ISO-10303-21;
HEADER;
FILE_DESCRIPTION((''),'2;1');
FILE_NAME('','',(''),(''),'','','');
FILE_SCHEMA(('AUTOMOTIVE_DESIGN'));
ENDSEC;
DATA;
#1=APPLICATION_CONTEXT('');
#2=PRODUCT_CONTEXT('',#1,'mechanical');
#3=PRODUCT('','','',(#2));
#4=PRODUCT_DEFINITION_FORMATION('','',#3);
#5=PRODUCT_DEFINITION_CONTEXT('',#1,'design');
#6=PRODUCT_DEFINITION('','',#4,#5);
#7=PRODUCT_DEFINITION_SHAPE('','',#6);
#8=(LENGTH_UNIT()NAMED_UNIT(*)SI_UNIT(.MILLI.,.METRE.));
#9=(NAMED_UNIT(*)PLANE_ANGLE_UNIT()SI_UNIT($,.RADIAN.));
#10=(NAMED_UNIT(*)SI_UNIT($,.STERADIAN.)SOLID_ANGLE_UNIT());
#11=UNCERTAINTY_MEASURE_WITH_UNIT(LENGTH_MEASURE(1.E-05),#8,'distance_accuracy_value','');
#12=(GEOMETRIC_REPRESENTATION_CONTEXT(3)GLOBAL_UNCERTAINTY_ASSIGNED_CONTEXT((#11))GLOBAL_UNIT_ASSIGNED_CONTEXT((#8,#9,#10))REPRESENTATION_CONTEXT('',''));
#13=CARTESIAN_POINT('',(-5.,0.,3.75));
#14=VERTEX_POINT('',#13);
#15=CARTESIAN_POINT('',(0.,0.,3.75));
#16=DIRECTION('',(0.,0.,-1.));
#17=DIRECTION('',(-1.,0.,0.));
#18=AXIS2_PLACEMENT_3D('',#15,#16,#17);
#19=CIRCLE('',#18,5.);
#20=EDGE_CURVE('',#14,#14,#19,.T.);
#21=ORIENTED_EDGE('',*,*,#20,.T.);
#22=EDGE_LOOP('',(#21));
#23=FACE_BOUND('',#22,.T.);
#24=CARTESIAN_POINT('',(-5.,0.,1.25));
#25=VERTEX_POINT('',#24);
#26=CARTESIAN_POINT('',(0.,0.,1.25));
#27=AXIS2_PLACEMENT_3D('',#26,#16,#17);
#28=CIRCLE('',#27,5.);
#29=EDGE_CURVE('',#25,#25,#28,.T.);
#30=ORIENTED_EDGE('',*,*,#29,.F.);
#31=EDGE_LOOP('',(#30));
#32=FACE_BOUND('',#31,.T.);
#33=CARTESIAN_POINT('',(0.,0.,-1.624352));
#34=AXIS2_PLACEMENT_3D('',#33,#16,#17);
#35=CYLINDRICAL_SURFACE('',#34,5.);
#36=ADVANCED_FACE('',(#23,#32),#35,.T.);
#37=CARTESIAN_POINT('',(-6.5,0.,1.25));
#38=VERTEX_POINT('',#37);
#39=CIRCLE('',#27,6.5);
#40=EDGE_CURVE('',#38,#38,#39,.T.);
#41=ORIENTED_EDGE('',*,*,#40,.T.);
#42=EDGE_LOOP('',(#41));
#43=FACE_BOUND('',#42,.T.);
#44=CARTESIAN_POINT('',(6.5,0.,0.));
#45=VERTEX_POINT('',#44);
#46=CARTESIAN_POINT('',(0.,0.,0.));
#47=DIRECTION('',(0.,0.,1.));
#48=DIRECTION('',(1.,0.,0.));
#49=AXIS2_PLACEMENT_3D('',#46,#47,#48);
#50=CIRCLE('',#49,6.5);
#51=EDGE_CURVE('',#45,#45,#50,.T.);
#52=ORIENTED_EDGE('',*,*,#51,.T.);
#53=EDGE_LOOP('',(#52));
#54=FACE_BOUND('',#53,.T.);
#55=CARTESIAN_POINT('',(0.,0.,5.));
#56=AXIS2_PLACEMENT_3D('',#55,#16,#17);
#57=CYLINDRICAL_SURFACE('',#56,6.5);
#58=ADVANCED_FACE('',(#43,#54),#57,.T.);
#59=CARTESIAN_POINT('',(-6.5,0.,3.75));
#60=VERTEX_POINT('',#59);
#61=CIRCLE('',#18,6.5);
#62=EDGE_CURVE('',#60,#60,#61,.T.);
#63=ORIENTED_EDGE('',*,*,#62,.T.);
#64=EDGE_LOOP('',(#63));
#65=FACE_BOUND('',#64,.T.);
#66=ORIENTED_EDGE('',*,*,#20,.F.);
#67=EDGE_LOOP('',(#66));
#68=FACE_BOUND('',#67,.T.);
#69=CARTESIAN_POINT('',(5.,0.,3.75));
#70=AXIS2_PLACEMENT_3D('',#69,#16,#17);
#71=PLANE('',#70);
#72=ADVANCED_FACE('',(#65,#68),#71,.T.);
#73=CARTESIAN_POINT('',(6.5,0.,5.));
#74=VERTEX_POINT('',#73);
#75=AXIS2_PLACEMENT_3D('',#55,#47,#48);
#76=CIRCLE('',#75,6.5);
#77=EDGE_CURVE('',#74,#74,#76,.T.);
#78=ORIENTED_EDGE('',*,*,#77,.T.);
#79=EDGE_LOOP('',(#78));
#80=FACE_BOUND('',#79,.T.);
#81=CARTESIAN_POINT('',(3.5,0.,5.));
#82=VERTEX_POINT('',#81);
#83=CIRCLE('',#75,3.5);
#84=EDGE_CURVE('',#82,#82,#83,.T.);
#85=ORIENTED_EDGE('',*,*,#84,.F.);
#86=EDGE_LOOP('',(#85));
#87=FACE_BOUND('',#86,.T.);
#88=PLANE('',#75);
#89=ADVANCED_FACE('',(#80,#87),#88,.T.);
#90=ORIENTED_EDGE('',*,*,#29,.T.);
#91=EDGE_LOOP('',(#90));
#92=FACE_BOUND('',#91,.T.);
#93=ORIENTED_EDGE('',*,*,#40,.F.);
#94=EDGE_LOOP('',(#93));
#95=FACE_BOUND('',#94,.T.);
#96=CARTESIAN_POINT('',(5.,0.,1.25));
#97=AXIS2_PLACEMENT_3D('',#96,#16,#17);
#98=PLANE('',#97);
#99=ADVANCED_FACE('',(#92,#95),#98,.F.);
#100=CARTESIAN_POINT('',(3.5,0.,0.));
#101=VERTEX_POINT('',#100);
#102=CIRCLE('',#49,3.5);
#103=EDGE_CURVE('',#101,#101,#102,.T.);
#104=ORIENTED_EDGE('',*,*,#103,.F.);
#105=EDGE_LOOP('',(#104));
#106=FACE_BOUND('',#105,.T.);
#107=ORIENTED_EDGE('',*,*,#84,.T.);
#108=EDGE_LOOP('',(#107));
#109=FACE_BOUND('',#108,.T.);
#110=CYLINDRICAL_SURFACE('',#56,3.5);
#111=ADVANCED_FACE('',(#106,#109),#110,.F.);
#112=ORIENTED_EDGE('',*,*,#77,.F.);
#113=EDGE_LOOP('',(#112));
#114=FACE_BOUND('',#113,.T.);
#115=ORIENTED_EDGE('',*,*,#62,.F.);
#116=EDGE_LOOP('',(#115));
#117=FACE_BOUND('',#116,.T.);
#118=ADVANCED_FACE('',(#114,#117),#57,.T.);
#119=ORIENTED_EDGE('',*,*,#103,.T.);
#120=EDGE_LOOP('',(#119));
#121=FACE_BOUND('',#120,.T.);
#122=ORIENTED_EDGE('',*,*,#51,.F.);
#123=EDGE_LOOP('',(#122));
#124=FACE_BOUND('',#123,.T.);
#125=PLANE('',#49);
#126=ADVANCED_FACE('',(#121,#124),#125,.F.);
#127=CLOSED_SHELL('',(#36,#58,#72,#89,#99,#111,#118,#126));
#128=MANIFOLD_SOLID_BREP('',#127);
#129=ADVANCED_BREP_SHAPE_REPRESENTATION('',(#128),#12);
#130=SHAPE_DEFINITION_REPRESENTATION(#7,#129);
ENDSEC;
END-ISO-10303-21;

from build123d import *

# Parameters (mm, degrees)
ESQUISSE1_R        = 6.5
ESQUISSE1_R_2      = 3.5
BOSS_EXTRU_1_DEPTH = 5
ESQUISSE2_W        = 1.5
ESQUISSE2_H        = 2.5


with BuildPart() as part:
    # Esquisse1 → Boss.-Extru.1 (new body)
    with BuildSketch(Plane.XY):
        Circle(ESQUISSE1_R)
        Circle(ESQUISSE1_R_2, mode=Mode.SUBTRACT)
    extrude(amount=BOSS_EXTRU_1_DEPTH)

    # Esquisse2 → Enlèvement de matière-Révolution1 (revolve, cut)
    with BuildSketch(Plane(origin=(0, 0, 0), x_dir=(1, 0, 0), z_dir=(0, 1, 0)), mode=Mode.PRIVATE) as enl_vement_de_mati_re_r_volution1_sk:
        with Locations((5.75, -2.5)):
            Rectangle(ESQUISSE2_W, ESQUISSE2_H)
    revolve(enl_vement_de_mati_re_r_volution1_sk.sketch.rotate(Axis((0, 0, -1.624351993), (0, 0, 1)), 180), axis=Axis((0, 0, -1.624351993), (0, 0, 1)), mode=Mode.SUBTRACT)


solid = part.part
